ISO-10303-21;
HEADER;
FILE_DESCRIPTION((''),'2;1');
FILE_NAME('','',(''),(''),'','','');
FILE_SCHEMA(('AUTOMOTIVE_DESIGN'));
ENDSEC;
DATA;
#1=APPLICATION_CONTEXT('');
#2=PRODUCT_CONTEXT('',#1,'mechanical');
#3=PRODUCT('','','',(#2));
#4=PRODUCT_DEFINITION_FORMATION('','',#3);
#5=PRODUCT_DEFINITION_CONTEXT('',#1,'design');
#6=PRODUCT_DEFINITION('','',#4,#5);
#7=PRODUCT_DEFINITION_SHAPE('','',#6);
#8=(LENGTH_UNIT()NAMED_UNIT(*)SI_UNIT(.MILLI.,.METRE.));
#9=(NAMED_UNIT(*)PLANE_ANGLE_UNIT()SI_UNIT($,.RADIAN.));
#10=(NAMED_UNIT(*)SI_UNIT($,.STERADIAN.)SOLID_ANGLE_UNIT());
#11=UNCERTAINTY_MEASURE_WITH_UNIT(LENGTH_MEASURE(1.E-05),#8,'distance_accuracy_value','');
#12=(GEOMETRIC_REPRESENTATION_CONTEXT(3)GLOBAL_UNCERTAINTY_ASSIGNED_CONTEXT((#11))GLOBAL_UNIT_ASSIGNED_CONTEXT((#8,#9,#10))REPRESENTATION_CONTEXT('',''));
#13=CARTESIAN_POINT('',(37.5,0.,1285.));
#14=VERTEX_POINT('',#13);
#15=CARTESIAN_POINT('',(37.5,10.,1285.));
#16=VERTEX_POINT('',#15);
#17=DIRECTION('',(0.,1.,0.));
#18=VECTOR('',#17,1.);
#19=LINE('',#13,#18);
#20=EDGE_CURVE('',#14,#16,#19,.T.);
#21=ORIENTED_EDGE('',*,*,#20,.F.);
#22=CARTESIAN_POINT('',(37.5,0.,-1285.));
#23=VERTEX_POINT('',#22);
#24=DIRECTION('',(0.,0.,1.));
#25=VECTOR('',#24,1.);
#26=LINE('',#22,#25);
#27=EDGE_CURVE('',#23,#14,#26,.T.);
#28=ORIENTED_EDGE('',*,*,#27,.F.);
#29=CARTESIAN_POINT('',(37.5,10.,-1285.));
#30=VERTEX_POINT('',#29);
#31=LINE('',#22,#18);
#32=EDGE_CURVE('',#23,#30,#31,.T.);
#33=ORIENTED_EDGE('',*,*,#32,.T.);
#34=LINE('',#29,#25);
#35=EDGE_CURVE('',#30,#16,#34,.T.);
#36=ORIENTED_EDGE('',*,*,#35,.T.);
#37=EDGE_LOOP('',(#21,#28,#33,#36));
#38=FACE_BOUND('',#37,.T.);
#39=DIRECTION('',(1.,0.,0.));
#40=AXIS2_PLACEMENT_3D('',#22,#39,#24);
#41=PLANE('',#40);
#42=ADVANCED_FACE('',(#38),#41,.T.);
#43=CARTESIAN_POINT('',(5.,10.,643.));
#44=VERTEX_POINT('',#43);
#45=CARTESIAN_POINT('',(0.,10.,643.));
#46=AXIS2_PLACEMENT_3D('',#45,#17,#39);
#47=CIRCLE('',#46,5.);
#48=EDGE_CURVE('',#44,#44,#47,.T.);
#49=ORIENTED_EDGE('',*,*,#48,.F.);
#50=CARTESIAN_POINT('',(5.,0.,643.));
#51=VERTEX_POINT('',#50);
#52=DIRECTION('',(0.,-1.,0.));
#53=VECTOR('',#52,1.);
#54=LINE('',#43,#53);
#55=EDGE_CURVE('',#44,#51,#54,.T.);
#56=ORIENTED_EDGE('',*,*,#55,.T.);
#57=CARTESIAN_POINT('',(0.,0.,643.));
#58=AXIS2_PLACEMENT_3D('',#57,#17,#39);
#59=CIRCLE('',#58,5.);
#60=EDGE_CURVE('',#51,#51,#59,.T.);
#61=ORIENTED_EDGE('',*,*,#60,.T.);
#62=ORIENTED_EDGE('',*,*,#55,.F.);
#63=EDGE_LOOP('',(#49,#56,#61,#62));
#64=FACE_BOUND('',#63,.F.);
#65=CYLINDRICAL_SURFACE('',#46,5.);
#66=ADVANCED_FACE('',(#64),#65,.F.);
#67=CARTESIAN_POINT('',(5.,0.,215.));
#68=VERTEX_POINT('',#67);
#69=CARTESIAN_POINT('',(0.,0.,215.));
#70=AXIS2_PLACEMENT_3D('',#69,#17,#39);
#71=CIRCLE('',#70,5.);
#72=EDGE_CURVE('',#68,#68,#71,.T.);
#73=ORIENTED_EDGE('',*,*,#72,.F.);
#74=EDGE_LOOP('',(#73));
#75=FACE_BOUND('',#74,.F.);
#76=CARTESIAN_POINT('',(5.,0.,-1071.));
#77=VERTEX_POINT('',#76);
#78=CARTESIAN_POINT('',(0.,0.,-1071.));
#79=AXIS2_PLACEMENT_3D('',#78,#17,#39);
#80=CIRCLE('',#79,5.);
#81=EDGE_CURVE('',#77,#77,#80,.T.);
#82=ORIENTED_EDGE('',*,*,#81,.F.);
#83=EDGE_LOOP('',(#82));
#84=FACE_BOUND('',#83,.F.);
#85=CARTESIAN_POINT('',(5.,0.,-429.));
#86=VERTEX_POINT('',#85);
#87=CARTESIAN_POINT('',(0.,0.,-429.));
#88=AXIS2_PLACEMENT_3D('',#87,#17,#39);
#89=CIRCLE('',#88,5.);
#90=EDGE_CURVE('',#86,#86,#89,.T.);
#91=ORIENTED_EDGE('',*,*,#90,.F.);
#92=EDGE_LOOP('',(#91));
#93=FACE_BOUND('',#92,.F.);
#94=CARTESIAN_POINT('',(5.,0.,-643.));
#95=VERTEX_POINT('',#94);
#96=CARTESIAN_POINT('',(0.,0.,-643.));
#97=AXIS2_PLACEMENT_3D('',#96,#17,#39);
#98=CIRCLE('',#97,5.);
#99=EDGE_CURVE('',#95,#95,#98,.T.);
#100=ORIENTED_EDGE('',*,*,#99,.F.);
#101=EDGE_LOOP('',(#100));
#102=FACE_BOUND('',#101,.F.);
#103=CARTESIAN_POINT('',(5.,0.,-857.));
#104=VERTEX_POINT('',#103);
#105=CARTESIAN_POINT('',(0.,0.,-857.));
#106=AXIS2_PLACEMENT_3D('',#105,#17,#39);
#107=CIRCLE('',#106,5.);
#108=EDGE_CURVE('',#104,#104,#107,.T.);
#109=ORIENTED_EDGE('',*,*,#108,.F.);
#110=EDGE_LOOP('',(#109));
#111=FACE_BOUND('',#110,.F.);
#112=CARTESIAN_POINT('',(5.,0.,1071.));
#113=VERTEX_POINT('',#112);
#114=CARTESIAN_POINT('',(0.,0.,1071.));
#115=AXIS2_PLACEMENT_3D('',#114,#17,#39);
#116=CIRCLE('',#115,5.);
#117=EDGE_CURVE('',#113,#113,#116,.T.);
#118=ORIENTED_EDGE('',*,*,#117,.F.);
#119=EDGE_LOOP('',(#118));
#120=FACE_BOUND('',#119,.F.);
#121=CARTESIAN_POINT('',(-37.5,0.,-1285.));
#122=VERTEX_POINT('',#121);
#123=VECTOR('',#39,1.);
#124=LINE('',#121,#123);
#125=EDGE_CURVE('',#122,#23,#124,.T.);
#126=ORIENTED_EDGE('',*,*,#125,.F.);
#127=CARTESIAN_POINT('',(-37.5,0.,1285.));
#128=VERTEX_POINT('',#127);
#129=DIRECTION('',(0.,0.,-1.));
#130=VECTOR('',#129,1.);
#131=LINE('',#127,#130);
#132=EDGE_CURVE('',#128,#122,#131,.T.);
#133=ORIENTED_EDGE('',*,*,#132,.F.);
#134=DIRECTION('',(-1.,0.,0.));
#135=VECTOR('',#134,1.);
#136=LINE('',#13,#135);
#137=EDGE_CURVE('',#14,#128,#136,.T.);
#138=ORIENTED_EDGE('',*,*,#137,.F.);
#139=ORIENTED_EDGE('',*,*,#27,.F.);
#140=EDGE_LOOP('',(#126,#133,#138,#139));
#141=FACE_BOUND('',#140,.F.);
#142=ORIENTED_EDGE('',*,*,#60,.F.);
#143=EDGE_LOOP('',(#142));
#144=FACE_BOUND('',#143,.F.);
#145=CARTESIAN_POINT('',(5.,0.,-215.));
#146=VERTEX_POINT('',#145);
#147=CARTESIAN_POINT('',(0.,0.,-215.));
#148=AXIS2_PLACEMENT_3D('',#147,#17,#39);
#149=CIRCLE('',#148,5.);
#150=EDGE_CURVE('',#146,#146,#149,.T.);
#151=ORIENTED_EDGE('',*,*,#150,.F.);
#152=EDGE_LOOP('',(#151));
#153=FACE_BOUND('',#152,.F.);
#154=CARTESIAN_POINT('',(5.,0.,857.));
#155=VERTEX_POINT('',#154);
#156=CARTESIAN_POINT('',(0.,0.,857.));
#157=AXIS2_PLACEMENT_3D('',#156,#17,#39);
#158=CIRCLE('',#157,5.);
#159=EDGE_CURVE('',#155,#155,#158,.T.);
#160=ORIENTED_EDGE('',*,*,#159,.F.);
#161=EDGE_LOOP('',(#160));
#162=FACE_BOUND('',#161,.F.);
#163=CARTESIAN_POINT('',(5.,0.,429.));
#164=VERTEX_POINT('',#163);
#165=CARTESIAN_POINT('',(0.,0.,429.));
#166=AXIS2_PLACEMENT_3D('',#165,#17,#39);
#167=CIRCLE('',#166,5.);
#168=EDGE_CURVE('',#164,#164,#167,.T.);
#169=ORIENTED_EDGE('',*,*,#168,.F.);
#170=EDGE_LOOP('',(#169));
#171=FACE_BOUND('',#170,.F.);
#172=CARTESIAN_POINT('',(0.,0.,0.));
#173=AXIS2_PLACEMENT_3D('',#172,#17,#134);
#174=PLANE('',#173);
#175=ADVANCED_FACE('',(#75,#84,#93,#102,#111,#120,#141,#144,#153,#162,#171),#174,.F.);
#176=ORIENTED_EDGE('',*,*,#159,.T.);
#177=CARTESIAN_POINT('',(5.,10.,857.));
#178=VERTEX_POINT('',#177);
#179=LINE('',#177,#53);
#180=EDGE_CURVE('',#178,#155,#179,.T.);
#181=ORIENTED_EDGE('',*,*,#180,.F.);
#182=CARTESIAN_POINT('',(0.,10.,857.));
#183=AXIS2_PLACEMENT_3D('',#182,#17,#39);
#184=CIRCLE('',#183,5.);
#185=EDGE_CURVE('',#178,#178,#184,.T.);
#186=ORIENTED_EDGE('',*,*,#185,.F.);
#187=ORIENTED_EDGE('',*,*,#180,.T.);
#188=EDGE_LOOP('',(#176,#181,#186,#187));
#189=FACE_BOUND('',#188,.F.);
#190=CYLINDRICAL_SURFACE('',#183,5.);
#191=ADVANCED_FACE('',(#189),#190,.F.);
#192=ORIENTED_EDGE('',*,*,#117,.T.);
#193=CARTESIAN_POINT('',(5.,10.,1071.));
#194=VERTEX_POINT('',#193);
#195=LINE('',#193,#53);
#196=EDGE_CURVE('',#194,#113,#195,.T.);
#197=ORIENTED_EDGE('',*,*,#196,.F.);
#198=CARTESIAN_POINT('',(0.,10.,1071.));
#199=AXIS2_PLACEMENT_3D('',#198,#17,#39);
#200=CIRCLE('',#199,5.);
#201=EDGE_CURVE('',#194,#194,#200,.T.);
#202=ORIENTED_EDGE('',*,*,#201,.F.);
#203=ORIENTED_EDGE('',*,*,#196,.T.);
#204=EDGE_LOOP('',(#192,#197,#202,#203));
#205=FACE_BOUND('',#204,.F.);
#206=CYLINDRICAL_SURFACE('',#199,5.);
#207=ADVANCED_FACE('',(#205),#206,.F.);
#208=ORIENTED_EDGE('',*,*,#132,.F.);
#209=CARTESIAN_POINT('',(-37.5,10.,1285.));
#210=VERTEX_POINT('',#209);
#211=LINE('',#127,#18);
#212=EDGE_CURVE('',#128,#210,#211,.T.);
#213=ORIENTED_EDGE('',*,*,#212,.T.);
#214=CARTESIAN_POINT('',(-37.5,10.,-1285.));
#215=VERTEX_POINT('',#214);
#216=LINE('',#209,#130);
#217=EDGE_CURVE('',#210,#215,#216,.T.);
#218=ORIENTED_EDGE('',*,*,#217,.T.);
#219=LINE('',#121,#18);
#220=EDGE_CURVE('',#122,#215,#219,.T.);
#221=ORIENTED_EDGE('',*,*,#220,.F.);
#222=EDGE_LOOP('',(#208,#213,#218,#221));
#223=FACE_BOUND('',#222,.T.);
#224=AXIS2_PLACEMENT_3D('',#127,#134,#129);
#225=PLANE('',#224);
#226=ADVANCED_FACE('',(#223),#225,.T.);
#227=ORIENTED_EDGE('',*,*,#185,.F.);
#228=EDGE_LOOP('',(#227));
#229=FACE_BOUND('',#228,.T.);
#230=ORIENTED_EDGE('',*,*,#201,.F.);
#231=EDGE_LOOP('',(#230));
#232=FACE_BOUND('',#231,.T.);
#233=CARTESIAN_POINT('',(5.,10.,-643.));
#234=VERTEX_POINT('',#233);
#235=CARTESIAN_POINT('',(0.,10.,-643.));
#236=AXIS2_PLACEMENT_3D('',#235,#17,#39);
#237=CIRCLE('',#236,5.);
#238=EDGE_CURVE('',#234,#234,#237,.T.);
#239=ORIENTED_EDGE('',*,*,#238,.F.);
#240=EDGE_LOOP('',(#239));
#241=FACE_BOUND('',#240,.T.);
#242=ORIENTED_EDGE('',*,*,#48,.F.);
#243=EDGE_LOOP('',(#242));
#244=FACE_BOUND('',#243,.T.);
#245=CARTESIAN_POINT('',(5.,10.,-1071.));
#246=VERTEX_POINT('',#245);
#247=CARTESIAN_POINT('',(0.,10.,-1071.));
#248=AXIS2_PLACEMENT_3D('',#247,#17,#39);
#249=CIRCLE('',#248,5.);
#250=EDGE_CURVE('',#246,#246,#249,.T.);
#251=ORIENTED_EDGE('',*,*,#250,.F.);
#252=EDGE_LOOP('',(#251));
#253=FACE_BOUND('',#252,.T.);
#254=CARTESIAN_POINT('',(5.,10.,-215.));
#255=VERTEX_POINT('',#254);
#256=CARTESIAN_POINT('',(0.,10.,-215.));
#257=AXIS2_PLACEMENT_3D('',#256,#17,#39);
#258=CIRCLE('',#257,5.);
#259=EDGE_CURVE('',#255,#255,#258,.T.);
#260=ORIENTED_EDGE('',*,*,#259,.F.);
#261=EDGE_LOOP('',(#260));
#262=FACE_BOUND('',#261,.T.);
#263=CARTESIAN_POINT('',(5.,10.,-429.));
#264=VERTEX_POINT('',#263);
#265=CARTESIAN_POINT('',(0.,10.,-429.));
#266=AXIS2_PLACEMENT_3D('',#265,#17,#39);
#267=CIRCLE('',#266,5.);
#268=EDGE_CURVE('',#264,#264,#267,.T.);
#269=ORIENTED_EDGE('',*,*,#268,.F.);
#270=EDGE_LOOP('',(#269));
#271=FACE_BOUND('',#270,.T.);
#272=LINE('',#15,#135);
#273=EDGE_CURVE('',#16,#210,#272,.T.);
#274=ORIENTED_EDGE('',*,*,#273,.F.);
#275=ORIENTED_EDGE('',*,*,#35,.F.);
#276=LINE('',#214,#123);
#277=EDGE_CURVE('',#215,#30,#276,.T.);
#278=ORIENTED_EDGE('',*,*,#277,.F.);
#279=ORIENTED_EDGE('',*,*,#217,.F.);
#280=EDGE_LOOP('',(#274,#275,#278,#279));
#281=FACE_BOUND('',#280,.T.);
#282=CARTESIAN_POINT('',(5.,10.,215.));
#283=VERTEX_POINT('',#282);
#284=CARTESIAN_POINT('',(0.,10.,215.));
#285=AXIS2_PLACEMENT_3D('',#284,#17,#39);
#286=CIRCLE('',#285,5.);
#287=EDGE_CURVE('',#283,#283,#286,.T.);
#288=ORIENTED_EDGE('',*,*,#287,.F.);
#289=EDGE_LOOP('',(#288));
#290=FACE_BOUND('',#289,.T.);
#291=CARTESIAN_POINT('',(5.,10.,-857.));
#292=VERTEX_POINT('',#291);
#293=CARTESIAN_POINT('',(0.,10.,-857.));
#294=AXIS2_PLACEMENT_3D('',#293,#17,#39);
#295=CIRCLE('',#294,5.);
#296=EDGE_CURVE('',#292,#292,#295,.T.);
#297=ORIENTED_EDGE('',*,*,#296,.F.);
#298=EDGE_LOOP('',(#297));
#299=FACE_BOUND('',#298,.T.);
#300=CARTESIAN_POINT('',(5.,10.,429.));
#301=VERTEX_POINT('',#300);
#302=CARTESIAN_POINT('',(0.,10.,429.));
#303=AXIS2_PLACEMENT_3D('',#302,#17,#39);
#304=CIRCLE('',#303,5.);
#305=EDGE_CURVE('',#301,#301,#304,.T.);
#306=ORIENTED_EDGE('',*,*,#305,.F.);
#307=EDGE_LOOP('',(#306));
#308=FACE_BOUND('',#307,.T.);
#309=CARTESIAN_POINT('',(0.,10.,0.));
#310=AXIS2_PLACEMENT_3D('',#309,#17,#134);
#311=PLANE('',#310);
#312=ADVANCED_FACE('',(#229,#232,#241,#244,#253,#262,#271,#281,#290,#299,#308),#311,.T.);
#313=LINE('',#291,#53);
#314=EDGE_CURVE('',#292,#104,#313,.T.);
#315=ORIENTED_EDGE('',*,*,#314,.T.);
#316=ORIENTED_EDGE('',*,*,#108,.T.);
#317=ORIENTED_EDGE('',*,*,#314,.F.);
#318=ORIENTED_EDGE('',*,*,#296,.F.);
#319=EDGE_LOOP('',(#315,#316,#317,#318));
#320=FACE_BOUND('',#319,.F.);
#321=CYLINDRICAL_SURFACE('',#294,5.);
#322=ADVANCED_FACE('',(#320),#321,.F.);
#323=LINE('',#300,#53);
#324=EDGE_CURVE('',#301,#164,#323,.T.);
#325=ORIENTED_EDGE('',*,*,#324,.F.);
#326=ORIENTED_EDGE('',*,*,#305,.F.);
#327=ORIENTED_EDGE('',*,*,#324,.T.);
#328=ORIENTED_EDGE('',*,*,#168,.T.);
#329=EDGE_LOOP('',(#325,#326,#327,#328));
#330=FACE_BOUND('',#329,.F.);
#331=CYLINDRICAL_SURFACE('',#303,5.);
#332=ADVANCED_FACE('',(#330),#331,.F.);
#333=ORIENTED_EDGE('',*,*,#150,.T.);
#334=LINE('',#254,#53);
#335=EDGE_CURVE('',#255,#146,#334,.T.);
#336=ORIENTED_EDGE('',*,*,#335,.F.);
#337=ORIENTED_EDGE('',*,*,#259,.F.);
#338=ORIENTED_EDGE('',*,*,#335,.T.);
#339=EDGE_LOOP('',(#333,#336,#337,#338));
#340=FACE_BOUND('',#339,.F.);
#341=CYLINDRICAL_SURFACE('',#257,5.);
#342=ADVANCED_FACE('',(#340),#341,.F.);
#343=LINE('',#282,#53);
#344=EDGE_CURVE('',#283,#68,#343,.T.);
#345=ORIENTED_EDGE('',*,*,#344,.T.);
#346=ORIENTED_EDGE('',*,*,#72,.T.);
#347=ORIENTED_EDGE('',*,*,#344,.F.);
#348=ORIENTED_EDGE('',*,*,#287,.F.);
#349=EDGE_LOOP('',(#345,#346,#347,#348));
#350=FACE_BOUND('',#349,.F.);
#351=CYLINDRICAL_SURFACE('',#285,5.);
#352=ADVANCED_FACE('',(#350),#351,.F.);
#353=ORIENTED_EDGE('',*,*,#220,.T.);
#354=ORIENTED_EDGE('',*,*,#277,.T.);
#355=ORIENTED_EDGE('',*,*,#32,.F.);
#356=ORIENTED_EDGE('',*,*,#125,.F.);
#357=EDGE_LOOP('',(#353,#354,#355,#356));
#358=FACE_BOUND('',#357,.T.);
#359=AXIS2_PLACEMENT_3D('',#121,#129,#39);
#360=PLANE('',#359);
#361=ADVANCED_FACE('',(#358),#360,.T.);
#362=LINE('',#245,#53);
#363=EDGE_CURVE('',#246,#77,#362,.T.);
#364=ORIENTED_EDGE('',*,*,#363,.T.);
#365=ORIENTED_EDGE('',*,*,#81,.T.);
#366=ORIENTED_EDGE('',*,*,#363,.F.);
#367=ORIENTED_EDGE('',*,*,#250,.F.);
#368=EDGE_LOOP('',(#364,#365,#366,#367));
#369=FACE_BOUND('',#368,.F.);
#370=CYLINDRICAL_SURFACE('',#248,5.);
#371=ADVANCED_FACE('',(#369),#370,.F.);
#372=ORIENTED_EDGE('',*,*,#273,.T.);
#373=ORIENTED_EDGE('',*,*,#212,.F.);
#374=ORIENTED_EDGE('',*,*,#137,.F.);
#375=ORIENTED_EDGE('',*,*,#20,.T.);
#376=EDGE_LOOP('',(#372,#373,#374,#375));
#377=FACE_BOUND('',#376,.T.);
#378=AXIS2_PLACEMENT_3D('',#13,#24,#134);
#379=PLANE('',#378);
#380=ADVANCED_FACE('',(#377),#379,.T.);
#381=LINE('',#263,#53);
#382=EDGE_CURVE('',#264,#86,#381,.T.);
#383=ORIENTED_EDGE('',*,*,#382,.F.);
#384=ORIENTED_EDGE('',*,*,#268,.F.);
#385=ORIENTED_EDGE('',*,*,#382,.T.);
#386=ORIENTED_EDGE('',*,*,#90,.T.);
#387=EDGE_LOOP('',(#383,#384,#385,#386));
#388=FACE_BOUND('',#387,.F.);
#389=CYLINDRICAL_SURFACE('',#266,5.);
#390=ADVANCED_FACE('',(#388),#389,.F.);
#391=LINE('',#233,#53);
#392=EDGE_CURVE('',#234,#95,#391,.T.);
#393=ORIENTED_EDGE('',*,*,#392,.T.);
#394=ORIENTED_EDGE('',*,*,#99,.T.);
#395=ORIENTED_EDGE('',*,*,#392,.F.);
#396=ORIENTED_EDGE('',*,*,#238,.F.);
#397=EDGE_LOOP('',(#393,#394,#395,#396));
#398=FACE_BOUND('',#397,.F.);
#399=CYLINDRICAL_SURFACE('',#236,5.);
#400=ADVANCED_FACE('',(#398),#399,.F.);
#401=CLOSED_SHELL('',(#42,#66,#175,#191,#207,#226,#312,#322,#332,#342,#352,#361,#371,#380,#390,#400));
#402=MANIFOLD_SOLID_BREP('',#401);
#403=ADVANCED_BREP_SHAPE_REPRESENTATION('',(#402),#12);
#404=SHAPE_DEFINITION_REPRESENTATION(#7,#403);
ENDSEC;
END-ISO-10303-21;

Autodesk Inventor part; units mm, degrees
ref_plane "YZ Plane" through (0, 0, 0) normal (1, 0, 0) x (0, 1, 0)
ref_plane "XZ Plane" through (0, 0, 0) normal (0, 1, 0) x (-1, 0, 0)
ref_plane "XY Plane" through (0, 0, 0) normal (0, 0, 1) x (1, 0, 0)
sketch "Boceto1" plane through (0, 0, 0) normal (0, 1, 0) x (-1, 0, 0)
  line L0 (-37.5, -1285) -> (-37.5, 1285)
  line L1 (-37.5, 1285) -> (37.5, 1285)
  line L2 (37.5, 1285) -> (37.5, -1285)
  line L3 (37.5, -1285) -> (-37.5, -1285)
  line L4 (-37.5, -1285) -> (37.5, 1285) construction
  line L5 (-37.5, 1285) -> (37.5, -1285) construction
  point P0 (0, 0)
  dimension "d0" = 2570
  dimension "d1" = 75
extrude "Extrusión1" add sketch "Boceto1" along normal blind 10
sketch "Boceto2" plane through (0, 10, 0) normal (0, 1, 0) x (1, 0, 0)
  circle A0 centre (0, -1071) radius 5
  line L0 (20, -1285) -> (-20, -1285)
  circle A1 centre (0, -857) radius 5
  circle A2 centre (0, -643) radius 5
  circle A3 centre (0, -429) radius 5
  circle A4 centre (0, -215) radius 5
  line L1 (-157.4788, 0) -> (166.1246, 0)
  circle A5 centre (0, 1071) radius 5
  circle A6 centre (0, 857) radius 5
  circle A7 centre (0, 643) radius 5
  circle A8 centre (0, 429) radius 5
  circle A9 centre (0, 215) radius 5
  point P0 (0, 0)
  point P1 (0, 0)
  dimension "d4" = 10
  dimension "d5" = 214
  dimension "d6" = 10
  dimension "d7" = 214
  dimension "d8" = 10
  dimension "d9" = 214
  dimension "d10" = 10
  dimension "d11" = 214
  dimension "d12" = 10
  dimension "d13" = 214
  dimension "d14" = 215
extrude "Extrusión2" cut sketch "Boceto2" against normal blind 10
properties part number "2570 STEEL PLATE RAIL" material "Acero"
